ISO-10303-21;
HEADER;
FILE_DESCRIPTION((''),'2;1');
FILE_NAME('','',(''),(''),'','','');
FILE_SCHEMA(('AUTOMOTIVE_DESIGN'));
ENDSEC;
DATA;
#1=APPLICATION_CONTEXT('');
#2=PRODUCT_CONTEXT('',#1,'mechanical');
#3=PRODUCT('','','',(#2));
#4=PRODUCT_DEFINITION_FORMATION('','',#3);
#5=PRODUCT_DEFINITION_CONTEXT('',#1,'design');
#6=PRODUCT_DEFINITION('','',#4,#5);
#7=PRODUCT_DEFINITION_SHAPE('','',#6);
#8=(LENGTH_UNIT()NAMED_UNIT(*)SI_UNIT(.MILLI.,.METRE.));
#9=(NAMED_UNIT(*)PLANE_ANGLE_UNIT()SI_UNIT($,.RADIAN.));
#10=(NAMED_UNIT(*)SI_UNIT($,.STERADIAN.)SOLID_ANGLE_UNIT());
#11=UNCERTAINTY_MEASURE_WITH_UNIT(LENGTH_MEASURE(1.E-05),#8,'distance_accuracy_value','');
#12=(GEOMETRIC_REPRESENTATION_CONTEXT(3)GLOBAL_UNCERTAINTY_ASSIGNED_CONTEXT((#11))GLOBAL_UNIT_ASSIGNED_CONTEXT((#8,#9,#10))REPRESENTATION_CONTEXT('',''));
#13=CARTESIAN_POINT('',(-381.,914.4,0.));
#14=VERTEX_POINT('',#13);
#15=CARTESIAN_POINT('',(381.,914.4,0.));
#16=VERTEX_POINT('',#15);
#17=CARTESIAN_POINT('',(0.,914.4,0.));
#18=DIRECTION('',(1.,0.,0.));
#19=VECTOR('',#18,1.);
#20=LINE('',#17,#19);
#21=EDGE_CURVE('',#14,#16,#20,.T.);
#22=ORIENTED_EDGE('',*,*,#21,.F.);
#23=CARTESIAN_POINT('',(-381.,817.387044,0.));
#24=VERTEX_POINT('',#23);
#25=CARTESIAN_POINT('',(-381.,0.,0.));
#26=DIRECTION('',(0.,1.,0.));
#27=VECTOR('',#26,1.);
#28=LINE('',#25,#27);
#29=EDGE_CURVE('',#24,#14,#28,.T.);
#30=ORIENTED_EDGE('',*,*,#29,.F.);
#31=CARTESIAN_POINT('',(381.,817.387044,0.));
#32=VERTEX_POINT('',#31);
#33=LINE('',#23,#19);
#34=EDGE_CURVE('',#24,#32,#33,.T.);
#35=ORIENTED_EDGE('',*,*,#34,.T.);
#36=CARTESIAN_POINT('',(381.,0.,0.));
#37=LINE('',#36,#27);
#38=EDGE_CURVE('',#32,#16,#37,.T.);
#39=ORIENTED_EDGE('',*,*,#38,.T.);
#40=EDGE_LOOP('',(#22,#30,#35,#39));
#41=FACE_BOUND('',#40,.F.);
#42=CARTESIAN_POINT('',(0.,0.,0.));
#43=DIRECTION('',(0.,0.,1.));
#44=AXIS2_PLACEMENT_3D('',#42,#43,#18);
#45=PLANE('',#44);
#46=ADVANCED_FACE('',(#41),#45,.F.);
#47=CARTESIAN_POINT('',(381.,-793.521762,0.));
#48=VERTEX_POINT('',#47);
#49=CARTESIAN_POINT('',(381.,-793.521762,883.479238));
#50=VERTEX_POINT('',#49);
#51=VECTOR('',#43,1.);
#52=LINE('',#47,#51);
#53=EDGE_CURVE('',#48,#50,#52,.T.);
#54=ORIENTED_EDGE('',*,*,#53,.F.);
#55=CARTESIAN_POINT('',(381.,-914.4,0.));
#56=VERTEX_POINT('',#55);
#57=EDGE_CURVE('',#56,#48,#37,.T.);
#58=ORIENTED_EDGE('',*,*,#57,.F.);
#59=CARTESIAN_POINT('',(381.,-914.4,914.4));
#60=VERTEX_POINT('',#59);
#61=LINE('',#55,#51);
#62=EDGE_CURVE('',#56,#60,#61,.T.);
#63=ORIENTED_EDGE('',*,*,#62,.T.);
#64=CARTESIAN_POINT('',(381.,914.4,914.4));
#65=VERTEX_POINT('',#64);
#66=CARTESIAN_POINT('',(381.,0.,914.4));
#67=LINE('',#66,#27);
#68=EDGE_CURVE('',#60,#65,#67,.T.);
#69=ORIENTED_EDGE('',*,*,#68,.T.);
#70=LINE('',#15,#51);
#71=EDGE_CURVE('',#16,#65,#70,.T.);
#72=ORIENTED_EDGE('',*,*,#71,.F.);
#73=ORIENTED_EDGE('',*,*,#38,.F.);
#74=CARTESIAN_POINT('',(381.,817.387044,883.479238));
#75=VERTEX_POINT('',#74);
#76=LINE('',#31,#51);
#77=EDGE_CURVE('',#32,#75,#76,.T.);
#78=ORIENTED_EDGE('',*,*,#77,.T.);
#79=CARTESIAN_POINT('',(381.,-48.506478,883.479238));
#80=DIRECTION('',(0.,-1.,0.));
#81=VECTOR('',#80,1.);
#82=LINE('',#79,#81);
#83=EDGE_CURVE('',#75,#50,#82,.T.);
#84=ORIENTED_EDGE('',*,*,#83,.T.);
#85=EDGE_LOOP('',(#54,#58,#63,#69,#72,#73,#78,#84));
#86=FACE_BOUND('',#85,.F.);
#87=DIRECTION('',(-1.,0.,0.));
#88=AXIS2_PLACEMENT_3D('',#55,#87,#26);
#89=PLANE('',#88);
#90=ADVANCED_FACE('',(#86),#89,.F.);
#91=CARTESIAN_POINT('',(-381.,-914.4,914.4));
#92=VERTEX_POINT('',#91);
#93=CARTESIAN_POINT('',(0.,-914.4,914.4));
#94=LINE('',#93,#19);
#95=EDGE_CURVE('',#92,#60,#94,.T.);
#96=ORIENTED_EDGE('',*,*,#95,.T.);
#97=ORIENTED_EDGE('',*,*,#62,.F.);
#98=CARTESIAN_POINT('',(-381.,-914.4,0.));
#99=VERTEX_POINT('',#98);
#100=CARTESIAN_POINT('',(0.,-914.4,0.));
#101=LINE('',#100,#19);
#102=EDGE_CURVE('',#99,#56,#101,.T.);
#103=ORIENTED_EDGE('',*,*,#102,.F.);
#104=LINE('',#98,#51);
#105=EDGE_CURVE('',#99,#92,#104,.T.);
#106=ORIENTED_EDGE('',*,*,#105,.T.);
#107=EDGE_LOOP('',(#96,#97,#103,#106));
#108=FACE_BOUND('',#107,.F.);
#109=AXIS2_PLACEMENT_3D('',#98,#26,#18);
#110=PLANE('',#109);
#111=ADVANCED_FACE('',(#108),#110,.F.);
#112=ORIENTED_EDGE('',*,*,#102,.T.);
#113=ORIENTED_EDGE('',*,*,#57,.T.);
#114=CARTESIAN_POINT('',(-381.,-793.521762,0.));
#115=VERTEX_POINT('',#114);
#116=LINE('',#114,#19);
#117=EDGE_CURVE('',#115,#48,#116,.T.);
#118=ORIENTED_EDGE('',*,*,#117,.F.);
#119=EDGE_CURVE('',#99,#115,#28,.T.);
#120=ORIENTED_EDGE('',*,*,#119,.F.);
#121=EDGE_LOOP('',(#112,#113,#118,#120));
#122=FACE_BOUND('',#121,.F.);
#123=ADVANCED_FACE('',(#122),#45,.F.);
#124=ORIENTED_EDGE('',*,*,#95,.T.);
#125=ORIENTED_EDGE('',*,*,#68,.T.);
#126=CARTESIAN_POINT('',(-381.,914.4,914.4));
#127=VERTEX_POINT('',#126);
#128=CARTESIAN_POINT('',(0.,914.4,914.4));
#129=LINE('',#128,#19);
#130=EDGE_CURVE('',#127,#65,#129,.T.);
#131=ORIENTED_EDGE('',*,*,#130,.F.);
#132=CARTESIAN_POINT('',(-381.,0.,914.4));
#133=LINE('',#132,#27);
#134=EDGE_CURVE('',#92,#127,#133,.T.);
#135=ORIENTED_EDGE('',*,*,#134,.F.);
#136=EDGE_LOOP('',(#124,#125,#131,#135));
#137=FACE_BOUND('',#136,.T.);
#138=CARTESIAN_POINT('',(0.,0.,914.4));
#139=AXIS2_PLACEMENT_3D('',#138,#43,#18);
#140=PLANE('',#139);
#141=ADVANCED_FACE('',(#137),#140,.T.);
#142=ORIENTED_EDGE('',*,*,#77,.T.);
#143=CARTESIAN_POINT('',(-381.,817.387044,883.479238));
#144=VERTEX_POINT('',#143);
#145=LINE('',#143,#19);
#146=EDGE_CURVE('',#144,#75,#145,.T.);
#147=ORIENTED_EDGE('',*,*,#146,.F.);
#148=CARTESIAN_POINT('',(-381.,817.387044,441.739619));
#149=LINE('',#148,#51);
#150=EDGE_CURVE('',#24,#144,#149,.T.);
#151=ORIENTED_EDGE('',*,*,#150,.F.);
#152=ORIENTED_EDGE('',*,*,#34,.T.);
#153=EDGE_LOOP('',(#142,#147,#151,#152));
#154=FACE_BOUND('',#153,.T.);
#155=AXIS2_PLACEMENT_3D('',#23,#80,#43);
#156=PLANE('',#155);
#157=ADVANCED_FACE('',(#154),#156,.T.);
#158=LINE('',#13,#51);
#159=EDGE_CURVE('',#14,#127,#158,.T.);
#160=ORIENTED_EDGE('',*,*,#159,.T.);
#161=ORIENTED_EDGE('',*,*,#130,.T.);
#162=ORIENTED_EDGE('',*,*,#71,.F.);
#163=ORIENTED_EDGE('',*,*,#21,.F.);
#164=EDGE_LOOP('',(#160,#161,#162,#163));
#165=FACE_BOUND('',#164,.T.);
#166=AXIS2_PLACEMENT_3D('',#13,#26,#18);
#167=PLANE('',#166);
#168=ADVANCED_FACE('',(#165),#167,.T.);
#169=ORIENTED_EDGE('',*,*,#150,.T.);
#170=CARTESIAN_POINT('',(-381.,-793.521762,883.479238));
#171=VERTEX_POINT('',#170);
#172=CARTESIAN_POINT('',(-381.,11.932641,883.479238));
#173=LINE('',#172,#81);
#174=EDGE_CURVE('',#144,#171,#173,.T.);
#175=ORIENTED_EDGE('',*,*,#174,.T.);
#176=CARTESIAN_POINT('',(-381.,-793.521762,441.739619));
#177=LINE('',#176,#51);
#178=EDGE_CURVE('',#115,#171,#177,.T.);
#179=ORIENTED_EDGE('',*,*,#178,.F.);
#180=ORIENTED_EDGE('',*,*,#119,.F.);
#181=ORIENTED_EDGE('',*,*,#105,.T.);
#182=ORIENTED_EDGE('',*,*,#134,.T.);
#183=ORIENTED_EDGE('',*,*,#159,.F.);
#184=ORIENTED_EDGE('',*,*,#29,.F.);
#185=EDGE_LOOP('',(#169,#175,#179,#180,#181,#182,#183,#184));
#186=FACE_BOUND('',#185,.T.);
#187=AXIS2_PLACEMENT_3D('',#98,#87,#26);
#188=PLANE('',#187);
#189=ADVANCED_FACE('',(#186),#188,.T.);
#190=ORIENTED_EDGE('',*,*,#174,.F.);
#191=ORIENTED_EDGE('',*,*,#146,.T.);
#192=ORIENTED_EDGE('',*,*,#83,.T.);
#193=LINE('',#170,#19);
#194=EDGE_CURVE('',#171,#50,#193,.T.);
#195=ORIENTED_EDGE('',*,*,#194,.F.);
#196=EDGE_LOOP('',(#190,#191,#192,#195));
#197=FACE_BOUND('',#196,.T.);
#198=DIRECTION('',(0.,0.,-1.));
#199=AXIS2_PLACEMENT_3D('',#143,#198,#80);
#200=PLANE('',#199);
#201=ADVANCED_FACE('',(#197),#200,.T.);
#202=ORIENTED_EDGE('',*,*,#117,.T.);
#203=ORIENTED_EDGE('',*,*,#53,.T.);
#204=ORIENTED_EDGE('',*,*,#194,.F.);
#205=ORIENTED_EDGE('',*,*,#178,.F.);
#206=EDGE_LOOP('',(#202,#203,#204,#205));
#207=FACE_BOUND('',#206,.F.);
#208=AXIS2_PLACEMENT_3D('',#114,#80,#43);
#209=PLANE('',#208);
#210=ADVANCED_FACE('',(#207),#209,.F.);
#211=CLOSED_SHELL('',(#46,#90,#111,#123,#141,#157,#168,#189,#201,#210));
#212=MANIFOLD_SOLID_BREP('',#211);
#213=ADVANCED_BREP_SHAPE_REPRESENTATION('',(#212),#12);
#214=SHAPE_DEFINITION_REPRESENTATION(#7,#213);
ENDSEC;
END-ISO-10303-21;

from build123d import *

# Parameters (mm, degrees)
F0_W     = 762
F0_H     = 1828.8
F1_DEPTH = 914.4
F2_W     = 1610.908806
F2_H     = 883.479238
F3_DEPTH = 762.001


with BuildPart() as f1:
    # F0 (on Top) → F1 (new body)
    with BuildSketch(Plane.XY):
        Rectangle(F0_W, F0_H)
    extrude(amount=F1_DEPTH)

    # F2 (on face) → F3 (cut, through all)
    with BuildSketch(Plane(origin=(-381, 0, 0), x_dir=(0, -1, 0), z_dir=(-1, 0, 0))):
        with Locations((-11.932641, 441.739619)):
            Rectangle(F2_W, F2_H)
    extrude(amount=-F3_DEPTH, mode=Mode.SUBTRACT)


solid = f1.part
